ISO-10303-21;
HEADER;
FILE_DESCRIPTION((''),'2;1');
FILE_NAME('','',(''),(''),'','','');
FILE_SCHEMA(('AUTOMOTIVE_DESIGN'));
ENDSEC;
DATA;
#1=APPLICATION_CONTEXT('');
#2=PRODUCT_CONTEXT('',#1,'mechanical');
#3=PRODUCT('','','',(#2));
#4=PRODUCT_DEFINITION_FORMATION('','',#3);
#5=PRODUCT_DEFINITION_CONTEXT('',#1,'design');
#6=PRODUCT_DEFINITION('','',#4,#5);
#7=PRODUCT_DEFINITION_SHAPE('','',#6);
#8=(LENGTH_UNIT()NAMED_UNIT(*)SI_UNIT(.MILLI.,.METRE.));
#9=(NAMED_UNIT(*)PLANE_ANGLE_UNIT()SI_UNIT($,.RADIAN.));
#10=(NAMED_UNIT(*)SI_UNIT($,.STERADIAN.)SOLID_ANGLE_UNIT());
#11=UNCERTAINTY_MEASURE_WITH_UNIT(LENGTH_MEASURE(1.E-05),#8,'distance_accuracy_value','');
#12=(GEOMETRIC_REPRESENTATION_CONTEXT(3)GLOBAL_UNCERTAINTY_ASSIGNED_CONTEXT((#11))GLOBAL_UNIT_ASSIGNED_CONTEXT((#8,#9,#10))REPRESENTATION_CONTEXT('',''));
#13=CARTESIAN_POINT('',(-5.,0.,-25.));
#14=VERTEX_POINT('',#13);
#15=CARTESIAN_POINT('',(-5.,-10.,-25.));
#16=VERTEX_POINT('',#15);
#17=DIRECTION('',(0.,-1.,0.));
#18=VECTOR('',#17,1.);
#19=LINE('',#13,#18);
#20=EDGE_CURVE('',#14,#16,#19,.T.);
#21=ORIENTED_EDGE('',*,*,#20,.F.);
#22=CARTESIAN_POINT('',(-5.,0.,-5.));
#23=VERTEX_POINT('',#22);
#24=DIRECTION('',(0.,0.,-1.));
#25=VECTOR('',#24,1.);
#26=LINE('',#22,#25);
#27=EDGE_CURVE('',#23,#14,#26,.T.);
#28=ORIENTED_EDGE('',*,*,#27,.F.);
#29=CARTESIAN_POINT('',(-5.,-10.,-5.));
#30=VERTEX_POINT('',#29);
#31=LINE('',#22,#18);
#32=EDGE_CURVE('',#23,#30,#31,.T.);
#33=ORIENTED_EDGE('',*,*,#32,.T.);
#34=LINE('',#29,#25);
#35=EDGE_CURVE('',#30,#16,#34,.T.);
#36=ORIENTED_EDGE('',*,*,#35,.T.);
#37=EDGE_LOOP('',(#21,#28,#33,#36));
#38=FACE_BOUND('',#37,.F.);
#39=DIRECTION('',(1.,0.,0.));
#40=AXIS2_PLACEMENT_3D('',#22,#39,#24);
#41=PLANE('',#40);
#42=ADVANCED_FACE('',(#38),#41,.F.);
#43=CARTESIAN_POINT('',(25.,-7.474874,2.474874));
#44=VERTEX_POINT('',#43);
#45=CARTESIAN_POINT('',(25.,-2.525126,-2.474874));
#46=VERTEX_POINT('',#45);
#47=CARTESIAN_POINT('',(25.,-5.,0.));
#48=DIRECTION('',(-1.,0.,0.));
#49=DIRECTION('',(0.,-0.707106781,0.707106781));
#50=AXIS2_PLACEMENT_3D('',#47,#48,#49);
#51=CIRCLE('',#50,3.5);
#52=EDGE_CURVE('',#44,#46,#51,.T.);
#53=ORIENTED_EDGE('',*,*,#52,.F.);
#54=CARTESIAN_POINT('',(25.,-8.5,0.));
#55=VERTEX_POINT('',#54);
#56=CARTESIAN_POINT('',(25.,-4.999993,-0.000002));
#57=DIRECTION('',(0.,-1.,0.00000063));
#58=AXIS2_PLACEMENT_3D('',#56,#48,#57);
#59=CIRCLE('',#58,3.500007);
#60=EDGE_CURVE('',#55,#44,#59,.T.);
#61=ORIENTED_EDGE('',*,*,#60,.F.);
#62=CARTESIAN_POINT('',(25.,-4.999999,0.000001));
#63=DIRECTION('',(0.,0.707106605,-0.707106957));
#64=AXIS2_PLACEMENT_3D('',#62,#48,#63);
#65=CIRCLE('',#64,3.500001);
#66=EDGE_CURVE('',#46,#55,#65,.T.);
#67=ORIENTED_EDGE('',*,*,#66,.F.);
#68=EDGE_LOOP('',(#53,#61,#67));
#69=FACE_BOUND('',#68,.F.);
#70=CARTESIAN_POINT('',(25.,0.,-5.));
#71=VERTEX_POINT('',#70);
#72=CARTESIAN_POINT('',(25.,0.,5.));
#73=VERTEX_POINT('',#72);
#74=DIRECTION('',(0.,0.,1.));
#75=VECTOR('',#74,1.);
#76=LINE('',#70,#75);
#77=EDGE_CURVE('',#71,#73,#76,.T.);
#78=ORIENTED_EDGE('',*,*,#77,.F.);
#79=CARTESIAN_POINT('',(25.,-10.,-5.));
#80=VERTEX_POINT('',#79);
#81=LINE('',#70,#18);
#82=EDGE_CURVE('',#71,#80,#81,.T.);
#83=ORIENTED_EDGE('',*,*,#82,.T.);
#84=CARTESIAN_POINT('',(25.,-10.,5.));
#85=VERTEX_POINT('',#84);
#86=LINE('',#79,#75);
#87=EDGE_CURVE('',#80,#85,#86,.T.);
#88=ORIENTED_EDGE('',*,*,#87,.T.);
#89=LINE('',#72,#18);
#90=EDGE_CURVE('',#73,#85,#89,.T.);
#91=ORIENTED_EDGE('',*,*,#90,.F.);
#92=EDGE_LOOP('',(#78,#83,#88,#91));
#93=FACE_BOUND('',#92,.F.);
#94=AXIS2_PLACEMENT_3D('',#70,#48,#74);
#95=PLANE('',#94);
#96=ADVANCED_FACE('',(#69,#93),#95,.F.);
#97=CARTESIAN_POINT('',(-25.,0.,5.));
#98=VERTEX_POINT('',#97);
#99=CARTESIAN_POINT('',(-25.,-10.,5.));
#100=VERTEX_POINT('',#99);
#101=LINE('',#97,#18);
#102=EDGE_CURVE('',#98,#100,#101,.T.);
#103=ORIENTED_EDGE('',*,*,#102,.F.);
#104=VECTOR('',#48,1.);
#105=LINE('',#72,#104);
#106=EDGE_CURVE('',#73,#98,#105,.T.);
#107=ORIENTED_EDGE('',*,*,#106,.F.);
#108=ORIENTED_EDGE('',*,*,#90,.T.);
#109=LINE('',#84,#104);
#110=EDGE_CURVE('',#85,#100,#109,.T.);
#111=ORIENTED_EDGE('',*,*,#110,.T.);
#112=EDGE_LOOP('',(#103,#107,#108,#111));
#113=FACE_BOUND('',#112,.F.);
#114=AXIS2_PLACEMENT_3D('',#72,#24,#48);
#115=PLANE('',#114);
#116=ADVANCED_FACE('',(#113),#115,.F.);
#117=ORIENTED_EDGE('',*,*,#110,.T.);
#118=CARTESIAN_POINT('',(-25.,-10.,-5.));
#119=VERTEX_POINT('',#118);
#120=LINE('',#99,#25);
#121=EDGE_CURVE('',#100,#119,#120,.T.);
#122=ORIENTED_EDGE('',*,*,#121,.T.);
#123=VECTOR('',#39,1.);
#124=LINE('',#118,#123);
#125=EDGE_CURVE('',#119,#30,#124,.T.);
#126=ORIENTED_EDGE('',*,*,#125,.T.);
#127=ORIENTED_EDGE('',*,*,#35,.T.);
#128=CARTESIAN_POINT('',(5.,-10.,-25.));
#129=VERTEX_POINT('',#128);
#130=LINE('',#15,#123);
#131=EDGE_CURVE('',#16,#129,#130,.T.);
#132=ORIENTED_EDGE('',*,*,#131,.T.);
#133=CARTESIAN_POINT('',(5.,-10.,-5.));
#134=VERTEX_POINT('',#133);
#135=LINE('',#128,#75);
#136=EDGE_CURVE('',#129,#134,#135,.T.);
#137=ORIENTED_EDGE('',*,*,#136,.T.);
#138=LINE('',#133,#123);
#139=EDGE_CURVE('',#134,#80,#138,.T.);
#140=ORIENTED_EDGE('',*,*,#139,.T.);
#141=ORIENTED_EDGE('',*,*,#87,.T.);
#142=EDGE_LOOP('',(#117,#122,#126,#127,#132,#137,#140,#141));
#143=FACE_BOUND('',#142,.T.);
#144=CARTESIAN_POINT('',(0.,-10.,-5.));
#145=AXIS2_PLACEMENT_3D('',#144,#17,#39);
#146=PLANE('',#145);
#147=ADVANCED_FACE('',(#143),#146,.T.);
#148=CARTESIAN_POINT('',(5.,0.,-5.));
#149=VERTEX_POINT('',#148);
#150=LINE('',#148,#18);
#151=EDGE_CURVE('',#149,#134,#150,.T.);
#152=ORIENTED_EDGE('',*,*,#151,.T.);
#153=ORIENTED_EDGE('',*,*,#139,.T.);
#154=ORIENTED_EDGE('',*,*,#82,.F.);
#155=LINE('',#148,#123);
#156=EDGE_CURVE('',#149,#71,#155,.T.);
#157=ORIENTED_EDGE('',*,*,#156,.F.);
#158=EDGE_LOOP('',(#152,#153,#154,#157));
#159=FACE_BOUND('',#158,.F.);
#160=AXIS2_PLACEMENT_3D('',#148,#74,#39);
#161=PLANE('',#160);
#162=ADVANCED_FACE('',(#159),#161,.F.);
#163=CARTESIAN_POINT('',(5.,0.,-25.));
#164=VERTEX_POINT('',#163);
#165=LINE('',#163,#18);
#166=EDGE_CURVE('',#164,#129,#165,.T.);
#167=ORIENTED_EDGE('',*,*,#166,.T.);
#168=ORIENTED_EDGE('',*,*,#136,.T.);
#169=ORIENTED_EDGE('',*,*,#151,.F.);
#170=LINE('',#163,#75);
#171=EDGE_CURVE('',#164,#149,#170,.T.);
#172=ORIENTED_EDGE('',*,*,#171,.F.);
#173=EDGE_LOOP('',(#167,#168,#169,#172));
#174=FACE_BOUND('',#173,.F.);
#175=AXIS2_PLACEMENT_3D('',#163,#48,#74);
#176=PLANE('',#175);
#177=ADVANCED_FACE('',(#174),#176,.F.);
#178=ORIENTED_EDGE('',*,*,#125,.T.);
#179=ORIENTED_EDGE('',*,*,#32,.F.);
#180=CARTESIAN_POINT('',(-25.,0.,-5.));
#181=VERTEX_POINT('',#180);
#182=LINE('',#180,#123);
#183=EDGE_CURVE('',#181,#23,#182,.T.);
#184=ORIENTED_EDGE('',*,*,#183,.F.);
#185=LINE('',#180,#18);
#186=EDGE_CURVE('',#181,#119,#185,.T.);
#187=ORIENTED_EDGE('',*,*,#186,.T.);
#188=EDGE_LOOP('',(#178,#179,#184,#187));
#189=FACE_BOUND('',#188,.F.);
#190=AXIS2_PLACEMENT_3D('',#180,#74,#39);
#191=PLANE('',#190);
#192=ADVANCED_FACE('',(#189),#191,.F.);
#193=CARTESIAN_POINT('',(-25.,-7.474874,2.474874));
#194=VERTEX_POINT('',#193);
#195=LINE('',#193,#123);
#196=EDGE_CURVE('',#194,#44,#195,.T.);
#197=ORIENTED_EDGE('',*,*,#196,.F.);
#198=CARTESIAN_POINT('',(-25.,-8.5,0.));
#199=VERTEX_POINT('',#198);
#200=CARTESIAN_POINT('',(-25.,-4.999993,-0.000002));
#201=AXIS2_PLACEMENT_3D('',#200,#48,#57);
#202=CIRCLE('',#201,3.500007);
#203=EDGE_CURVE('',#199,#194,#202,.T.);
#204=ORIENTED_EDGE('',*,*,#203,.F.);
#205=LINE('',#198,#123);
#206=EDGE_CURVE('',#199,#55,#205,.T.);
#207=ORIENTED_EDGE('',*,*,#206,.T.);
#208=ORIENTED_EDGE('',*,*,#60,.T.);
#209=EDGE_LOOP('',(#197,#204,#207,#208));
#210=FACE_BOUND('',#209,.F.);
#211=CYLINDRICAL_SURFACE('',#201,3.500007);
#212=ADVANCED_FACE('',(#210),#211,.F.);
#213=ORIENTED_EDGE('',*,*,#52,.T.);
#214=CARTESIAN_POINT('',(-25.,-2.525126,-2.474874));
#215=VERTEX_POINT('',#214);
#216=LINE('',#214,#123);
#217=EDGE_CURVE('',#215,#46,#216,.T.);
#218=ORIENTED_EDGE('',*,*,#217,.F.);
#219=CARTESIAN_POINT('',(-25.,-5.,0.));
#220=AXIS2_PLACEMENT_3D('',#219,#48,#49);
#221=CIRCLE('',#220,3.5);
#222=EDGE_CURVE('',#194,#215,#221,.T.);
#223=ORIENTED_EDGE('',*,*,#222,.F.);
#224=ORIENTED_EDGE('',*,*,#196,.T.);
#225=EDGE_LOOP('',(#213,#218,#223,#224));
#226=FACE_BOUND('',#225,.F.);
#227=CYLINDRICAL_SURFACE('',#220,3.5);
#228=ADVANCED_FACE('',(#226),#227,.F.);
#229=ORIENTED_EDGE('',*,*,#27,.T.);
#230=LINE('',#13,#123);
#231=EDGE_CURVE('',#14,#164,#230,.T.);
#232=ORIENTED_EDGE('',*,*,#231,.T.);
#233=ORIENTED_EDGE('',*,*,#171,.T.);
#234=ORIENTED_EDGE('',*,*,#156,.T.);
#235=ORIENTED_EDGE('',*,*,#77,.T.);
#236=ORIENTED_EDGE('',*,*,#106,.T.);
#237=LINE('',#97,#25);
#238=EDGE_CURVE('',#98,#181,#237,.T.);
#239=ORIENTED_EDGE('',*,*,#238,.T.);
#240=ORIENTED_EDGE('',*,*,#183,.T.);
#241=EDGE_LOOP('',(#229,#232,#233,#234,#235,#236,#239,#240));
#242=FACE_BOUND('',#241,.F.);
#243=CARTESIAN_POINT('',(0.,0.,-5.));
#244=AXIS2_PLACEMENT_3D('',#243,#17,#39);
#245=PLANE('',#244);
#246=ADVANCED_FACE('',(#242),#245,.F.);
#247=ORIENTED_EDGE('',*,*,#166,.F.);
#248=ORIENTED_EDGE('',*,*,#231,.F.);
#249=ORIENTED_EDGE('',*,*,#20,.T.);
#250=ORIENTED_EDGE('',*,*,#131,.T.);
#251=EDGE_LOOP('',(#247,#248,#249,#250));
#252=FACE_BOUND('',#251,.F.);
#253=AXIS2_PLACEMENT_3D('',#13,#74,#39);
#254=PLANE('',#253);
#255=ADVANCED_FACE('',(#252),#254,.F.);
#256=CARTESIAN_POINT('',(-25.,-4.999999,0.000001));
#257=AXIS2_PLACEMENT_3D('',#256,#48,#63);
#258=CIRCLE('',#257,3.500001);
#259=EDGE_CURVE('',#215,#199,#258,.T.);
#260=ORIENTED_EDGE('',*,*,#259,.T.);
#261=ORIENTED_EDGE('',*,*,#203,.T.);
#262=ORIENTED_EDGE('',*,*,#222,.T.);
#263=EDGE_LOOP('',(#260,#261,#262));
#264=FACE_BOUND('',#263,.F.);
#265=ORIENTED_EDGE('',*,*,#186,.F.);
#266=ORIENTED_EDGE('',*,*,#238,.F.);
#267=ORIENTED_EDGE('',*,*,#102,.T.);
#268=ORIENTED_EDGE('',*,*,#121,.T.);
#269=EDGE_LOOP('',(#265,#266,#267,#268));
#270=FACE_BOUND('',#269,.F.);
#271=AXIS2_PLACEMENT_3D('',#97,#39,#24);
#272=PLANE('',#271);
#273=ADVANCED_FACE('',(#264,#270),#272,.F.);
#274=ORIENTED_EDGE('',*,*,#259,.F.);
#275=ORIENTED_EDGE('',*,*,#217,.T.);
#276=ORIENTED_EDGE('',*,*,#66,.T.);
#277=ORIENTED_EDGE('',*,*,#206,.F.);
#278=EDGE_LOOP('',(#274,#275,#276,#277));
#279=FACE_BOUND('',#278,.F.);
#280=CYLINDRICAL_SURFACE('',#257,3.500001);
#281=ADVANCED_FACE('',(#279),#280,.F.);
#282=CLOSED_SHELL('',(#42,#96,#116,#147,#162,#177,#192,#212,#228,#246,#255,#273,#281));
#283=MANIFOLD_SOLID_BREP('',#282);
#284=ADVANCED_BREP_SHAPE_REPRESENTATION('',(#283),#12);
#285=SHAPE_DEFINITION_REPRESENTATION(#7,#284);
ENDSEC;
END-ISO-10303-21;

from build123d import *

# Parameters (mm, degrees)
F1_DEPTH = 10
F3_DEPTH = 50.001


with BuildPart() as f1:
    # F0 (on Front) → F1 (new body)
    with BuildSketch(Plane.XZ):
        Polygon((25, -5), (25, 5), (-25, 5), (-25, -5), (-5, -5), (-5, -25), (5, -25), (5, -5), align=None)
    extrude(amount=F1_DEPTH)

    # F2 (on face) → F3 (cut, through all)
    with BuildSketch(Plane(origin=(-25, 0, 0), x_dir=(0, -1, 0), z_dir=(-1, 0, 0))):
        with BuildLine():
            ThreePointArc((2.525126, -2.474874), (6.339392, -3.233578), (8.5, 0))
            ThreePointArc((8.5, 0), (8.233578, 1.339392), (7.474874, 2.474874))
            ThreePointArc((7.474874, 2.474874), (2.525126, 2.474874), (2.525126, -2.474874))
        make_face()
    extrude(amount=-F3_DEPTH, mode=Mode.SUBTRACT)


solid = f1.part
